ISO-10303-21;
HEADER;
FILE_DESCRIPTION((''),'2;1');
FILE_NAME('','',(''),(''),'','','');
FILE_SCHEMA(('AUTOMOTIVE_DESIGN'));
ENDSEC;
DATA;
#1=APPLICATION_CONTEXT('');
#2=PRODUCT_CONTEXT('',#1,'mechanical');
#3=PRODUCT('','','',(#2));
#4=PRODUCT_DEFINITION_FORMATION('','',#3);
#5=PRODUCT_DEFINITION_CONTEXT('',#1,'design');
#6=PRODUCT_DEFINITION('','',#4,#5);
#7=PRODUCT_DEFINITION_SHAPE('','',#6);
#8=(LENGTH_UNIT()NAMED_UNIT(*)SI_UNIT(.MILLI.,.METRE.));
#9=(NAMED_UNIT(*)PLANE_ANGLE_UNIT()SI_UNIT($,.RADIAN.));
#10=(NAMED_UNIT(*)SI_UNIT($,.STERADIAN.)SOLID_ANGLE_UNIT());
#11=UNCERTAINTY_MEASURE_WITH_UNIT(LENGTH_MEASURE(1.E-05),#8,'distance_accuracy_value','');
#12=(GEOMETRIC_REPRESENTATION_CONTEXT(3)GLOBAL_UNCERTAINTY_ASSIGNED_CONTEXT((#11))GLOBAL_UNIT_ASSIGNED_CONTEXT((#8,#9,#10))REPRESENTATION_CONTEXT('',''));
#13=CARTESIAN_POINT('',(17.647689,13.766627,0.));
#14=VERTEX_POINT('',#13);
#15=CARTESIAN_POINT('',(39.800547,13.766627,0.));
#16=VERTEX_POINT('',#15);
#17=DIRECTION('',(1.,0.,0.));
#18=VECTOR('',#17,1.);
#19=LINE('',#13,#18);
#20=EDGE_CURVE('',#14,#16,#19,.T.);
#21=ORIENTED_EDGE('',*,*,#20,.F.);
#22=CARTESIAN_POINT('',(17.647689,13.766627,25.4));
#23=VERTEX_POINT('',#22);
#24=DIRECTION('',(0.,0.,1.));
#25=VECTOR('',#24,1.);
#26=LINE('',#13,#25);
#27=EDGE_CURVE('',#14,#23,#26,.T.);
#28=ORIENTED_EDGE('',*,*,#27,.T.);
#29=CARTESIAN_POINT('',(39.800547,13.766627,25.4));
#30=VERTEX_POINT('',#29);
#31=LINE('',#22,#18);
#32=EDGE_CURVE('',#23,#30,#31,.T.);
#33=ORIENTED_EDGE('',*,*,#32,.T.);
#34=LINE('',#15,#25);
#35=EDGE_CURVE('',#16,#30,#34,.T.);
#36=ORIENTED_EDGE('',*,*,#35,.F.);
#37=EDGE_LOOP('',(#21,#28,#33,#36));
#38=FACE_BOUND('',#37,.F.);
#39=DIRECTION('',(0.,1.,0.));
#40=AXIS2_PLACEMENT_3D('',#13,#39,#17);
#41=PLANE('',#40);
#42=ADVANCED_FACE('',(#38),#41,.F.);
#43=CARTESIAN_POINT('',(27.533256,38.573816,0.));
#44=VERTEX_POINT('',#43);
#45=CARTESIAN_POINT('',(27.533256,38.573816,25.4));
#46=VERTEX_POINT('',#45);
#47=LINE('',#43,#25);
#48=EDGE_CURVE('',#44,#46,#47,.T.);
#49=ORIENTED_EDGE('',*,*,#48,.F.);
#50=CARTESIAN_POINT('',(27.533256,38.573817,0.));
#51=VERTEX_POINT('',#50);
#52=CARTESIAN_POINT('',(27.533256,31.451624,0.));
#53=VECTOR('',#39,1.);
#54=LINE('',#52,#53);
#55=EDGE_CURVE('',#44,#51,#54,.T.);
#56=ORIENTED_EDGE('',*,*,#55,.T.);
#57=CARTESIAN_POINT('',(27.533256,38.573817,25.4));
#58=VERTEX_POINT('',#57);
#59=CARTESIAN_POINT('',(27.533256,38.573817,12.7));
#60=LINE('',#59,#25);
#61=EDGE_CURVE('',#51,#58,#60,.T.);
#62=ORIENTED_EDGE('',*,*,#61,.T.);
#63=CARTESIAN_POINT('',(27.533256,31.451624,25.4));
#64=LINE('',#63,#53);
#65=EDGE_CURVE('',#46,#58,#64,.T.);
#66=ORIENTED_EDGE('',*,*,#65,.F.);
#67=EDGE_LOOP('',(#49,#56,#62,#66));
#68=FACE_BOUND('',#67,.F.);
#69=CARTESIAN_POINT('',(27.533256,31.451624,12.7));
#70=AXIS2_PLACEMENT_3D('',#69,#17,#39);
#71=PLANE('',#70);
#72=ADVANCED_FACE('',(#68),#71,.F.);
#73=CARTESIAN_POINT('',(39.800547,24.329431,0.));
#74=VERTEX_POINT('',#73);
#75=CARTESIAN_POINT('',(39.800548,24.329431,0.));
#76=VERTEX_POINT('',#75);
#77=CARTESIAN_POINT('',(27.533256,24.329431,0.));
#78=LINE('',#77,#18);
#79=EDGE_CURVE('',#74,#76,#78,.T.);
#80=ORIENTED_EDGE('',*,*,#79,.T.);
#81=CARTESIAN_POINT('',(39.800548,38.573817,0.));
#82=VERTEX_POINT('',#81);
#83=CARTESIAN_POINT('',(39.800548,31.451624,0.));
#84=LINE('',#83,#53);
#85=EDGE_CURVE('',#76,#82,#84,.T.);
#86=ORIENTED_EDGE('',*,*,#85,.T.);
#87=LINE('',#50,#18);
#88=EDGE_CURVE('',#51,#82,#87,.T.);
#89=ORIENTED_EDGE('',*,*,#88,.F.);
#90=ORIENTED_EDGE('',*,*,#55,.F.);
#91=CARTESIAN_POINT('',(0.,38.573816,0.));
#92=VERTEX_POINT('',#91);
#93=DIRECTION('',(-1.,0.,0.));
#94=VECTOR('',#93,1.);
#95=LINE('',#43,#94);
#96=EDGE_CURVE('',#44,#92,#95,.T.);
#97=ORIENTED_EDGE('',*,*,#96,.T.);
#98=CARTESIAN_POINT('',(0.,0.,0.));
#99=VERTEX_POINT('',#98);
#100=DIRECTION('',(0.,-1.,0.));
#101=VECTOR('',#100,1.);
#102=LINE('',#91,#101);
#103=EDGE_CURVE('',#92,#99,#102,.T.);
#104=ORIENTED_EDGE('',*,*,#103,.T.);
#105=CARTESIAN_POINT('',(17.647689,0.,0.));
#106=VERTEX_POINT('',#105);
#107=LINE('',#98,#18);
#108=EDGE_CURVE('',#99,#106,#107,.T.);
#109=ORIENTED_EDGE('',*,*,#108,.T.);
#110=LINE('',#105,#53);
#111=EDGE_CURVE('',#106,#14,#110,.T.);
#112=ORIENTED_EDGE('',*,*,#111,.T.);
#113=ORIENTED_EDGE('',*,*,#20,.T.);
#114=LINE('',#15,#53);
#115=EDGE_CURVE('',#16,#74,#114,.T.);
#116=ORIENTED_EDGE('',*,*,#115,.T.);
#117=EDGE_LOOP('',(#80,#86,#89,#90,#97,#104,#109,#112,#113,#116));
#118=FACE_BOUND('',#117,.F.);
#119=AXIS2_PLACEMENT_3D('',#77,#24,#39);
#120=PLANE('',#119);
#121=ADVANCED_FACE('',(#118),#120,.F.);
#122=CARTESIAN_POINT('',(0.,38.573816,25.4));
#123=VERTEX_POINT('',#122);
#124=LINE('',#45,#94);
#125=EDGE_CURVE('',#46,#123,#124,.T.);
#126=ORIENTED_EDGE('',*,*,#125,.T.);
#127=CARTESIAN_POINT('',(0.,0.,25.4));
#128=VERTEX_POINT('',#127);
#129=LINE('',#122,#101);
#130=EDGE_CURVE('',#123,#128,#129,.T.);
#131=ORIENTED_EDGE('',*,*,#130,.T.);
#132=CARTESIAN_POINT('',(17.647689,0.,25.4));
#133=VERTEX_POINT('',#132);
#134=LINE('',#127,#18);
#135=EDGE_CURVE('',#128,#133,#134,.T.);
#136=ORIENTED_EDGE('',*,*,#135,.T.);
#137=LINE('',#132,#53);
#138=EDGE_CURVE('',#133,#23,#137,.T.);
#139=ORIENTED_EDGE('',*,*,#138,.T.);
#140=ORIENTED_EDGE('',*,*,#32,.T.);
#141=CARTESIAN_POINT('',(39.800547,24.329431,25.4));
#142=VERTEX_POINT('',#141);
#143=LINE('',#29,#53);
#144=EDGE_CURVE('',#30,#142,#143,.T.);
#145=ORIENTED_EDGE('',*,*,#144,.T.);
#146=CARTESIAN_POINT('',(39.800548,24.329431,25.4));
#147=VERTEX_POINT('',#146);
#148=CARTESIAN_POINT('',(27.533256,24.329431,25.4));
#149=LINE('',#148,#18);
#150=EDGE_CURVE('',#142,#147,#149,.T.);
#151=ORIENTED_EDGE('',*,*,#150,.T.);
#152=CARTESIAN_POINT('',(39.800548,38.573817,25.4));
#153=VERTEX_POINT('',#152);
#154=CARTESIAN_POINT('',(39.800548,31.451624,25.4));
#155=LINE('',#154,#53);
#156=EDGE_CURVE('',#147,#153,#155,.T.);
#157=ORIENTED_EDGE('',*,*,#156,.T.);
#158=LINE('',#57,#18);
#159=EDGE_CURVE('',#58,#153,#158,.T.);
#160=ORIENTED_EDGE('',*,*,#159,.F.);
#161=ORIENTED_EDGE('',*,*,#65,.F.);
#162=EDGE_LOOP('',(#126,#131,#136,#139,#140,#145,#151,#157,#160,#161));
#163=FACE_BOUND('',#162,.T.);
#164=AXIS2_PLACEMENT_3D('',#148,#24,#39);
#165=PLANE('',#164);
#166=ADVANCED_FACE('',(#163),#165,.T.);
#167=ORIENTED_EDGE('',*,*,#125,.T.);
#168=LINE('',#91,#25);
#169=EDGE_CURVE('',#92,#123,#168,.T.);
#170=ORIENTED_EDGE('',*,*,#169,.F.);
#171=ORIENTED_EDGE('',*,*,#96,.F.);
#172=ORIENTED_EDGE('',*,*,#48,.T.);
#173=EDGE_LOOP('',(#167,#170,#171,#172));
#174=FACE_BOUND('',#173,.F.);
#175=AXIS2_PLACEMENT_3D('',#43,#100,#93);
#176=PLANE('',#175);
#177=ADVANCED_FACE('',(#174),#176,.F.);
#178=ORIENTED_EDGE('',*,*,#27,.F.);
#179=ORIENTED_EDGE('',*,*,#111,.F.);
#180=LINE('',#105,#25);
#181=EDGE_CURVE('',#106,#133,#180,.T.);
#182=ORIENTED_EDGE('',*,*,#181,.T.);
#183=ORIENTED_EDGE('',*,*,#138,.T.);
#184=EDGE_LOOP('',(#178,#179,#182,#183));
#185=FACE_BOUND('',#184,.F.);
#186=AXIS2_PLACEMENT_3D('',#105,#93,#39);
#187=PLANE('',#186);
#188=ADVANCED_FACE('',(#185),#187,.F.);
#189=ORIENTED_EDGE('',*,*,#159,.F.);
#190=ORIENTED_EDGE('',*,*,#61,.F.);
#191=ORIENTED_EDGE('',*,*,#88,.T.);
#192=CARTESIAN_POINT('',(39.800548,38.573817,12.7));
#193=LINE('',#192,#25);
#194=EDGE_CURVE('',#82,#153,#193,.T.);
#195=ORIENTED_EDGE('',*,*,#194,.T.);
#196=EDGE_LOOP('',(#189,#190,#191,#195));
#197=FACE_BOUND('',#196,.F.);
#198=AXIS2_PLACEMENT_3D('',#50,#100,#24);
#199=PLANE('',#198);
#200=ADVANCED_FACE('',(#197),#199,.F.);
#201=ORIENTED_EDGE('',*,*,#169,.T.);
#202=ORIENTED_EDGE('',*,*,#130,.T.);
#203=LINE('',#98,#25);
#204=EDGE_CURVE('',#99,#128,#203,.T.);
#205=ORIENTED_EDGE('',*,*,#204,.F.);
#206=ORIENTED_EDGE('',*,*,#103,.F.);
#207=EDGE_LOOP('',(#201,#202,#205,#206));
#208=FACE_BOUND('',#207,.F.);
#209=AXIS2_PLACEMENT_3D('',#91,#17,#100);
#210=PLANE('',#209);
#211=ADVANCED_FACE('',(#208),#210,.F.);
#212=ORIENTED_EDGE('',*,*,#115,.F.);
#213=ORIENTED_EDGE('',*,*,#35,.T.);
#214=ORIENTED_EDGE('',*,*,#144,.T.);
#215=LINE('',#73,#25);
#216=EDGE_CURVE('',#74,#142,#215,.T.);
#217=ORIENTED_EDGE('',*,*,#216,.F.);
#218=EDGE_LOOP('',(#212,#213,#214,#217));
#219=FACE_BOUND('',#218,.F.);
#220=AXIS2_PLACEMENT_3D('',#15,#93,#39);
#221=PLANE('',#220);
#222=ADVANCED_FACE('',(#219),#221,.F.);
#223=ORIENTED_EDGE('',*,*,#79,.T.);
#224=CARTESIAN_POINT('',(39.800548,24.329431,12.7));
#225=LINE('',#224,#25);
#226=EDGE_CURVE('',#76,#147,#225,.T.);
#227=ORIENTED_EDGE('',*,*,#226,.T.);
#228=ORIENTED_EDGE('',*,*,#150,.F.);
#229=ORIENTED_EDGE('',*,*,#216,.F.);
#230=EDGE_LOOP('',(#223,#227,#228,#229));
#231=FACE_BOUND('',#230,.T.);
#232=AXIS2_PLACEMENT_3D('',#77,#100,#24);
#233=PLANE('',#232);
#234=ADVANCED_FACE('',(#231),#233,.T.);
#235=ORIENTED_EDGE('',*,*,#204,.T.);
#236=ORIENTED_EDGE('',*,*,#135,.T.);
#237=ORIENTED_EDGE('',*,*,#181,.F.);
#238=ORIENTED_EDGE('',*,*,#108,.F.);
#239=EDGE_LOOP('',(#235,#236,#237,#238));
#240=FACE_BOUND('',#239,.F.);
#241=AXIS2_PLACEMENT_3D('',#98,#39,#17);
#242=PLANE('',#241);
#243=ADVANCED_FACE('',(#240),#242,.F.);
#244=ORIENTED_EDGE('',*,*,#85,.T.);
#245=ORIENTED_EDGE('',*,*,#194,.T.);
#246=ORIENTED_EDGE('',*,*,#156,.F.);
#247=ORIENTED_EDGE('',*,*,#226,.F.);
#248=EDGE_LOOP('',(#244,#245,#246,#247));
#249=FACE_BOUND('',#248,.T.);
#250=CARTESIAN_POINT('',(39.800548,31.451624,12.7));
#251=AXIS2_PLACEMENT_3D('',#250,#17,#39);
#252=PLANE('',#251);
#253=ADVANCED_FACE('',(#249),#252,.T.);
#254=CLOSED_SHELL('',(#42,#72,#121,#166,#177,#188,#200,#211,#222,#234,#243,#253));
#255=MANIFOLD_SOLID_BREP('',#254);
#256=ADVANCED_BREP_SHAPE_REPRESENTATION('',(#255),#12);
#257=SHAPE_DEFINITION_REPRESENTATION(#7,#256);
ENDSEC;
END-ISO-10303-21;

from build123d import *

# Parameters (mm, degrees)
F1_DEPTH  = 25.4
F1_FACE_W = 14.244386
F1_FACE_H = 25.4
F2_DEPTH  = 12.267292


with BuildPart() as f1:
    # F0 (on Top) → F1 (new body)
    with BuildSketch(Plane.XY):
        Polygon((0, 38.573816), (0, 24.329431), (17.647689, 24.329431), (27.533256, 24.329431), (27.533256, 38.573816), align=None)
        Polygon((0, 24.329431), (0, 0), (17.647689, 0), (17.647689, 13.766627), (17.647689, 24.329431), align=None)
        Polygon((17.647689, 24.329431), (17.647689, 13.766627), (39.800547, 13.766627), (39.800547, 24.329431), (27.533256, 24.329431), align=None)
    extrude(amount=F1_DEPTH)

    # F1_face (on face) → F2 (join, through all)
    with BuildSketch(Plane(origin=(27.533256, 31.451624, 12.7), x_dir=(0, 1, 0), z_dir=(1, 0, 0))):
        Rectangle(F1_FACE_W, F1_FACE_H)
    extrude(amount=F2_DEPTH)


solid = f1.part
